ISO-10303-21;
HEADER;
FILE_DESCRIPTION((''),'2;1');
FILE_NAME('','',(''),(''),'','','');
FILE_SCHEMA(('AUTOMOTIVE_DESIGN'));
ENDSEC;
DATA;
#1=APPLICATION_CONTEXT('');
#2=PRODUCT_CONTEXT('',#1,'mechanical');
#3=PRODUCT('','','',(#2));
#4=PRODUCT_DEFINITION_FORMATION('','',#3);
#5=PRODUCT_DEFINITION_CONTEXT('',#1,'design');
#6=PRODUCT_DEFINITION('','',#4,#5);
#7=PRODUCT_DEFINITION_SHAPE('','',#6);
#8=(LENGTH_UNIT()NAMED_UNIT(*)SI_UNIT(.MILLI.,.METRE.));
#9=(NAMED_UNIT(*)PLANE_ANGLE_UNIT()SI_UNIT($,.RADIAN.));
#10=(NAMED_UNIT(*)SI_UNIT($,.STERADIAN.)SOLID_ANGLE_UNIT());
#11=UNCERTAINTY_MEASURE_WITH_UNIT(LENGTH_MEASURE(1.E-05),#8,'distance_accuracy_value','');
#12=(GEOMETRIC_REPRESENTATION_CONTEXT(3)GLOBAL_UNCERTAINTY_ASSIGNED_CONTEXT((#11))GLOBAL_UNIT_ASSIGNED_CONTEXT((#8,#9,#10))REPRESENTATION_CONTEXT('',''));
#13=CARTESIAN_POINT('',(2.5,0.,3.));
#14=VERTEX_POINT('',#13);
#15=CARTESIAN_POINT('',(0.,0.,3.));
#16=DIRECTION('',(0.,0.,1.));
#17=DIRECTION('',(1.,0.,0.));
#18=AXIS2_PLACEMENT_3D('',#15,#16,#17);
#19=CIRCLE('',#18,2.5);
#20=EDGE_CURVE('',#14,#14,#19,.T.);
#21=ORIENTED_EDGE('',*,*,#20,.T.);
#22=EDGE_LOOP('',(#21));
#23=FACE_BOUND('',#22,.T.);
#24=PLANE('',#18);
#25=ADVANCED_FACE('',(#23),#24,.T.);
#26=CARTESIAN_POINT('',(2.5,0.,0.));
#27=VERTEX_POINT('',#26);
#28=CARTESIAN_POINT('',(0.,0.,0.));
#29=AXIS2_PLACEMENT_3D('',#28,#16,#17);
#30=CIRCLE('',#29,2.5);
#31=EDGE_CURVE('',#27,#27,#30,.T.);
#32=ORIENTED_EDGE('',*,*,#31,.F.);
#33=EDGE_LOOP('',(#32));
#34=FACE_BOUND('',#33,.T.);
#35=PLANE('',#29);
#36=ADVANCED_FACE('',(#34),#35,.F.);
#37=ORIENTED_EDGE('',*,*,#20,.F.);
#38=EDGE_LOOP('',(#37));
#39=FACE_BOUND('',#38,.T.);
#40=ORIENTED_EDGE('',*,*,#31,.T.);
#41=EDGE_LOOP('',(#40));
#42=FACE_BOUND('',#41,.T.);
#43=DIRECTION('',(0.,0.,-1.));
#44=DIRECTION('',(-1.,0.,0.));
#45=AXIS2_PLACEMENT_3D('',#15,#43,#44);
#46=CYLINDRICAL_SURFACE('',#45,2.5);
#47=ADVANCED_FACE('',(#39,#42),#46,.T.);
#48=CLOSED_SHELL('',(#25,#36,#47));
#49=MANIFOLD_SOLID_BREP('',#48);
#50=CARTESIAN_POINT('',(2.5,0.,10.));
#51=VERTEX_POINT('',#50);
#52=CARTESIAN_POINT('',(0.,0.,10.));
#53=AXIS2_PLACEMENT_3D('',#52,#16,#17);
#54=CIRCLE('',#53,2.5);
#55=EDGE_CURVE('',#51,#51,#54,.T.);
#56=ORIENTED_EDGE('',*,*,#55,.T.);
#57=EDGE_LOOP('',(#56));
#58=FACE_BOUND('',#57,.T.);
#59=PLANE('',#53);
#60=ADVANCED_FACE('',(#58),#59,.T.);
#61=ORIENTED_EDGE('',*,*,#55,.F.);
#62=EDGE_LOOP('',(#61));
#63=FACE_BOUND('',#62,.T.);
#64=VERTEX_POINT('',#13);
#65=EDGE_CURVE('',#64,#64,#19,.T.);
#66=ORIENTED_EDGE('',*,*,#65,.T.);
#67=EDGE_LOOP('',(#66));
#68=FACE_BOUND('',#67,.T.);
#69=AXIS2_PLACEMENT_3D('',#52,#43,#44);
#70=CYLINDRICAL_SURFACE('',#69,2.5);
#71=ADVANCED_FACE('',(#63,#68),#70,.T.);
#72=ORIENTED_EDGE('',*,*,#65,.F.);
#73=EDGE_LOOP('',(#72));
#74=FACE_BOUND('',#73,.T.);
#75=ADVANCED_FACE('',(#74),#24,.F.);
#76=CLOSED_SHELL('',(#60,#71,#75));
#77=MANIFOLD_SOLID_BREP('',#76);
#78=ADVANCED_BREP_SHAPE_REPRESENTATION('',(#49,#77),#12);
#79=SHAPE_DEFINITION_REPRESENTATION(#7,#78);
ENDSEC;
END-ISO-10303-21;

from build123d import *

# Parameters (mm, degrees)
ESBO_O1_R                = 2.5
RESSALTO_EXTRUS_O1_DEPTH = 3
ESBO_O2_R                = 2.5
RESSALTO_EXTRUS_O2_DEPTH = 7


with BuildPart() as part:
    # Esboço1 → Ressalto-extrusão1 (new body)
    with BuildSketch(Plane.XY):
        Circle(ESBO_O1_R)
    extrude(amount=RESSALTO_EXTRUS_O1_DEPTH)


with BuildPart() as body_2:
    # Esboço2 → Ressalto-extrusão2 (new body)
    with BuildSketch(Plane.XY.offset(3)):
        Circle(ESBO_O2_R)
    extrude(amount=RESSALTO_EXTRUS_O2_DEPTH)


solid = Compound([part.part, body_2.part])
